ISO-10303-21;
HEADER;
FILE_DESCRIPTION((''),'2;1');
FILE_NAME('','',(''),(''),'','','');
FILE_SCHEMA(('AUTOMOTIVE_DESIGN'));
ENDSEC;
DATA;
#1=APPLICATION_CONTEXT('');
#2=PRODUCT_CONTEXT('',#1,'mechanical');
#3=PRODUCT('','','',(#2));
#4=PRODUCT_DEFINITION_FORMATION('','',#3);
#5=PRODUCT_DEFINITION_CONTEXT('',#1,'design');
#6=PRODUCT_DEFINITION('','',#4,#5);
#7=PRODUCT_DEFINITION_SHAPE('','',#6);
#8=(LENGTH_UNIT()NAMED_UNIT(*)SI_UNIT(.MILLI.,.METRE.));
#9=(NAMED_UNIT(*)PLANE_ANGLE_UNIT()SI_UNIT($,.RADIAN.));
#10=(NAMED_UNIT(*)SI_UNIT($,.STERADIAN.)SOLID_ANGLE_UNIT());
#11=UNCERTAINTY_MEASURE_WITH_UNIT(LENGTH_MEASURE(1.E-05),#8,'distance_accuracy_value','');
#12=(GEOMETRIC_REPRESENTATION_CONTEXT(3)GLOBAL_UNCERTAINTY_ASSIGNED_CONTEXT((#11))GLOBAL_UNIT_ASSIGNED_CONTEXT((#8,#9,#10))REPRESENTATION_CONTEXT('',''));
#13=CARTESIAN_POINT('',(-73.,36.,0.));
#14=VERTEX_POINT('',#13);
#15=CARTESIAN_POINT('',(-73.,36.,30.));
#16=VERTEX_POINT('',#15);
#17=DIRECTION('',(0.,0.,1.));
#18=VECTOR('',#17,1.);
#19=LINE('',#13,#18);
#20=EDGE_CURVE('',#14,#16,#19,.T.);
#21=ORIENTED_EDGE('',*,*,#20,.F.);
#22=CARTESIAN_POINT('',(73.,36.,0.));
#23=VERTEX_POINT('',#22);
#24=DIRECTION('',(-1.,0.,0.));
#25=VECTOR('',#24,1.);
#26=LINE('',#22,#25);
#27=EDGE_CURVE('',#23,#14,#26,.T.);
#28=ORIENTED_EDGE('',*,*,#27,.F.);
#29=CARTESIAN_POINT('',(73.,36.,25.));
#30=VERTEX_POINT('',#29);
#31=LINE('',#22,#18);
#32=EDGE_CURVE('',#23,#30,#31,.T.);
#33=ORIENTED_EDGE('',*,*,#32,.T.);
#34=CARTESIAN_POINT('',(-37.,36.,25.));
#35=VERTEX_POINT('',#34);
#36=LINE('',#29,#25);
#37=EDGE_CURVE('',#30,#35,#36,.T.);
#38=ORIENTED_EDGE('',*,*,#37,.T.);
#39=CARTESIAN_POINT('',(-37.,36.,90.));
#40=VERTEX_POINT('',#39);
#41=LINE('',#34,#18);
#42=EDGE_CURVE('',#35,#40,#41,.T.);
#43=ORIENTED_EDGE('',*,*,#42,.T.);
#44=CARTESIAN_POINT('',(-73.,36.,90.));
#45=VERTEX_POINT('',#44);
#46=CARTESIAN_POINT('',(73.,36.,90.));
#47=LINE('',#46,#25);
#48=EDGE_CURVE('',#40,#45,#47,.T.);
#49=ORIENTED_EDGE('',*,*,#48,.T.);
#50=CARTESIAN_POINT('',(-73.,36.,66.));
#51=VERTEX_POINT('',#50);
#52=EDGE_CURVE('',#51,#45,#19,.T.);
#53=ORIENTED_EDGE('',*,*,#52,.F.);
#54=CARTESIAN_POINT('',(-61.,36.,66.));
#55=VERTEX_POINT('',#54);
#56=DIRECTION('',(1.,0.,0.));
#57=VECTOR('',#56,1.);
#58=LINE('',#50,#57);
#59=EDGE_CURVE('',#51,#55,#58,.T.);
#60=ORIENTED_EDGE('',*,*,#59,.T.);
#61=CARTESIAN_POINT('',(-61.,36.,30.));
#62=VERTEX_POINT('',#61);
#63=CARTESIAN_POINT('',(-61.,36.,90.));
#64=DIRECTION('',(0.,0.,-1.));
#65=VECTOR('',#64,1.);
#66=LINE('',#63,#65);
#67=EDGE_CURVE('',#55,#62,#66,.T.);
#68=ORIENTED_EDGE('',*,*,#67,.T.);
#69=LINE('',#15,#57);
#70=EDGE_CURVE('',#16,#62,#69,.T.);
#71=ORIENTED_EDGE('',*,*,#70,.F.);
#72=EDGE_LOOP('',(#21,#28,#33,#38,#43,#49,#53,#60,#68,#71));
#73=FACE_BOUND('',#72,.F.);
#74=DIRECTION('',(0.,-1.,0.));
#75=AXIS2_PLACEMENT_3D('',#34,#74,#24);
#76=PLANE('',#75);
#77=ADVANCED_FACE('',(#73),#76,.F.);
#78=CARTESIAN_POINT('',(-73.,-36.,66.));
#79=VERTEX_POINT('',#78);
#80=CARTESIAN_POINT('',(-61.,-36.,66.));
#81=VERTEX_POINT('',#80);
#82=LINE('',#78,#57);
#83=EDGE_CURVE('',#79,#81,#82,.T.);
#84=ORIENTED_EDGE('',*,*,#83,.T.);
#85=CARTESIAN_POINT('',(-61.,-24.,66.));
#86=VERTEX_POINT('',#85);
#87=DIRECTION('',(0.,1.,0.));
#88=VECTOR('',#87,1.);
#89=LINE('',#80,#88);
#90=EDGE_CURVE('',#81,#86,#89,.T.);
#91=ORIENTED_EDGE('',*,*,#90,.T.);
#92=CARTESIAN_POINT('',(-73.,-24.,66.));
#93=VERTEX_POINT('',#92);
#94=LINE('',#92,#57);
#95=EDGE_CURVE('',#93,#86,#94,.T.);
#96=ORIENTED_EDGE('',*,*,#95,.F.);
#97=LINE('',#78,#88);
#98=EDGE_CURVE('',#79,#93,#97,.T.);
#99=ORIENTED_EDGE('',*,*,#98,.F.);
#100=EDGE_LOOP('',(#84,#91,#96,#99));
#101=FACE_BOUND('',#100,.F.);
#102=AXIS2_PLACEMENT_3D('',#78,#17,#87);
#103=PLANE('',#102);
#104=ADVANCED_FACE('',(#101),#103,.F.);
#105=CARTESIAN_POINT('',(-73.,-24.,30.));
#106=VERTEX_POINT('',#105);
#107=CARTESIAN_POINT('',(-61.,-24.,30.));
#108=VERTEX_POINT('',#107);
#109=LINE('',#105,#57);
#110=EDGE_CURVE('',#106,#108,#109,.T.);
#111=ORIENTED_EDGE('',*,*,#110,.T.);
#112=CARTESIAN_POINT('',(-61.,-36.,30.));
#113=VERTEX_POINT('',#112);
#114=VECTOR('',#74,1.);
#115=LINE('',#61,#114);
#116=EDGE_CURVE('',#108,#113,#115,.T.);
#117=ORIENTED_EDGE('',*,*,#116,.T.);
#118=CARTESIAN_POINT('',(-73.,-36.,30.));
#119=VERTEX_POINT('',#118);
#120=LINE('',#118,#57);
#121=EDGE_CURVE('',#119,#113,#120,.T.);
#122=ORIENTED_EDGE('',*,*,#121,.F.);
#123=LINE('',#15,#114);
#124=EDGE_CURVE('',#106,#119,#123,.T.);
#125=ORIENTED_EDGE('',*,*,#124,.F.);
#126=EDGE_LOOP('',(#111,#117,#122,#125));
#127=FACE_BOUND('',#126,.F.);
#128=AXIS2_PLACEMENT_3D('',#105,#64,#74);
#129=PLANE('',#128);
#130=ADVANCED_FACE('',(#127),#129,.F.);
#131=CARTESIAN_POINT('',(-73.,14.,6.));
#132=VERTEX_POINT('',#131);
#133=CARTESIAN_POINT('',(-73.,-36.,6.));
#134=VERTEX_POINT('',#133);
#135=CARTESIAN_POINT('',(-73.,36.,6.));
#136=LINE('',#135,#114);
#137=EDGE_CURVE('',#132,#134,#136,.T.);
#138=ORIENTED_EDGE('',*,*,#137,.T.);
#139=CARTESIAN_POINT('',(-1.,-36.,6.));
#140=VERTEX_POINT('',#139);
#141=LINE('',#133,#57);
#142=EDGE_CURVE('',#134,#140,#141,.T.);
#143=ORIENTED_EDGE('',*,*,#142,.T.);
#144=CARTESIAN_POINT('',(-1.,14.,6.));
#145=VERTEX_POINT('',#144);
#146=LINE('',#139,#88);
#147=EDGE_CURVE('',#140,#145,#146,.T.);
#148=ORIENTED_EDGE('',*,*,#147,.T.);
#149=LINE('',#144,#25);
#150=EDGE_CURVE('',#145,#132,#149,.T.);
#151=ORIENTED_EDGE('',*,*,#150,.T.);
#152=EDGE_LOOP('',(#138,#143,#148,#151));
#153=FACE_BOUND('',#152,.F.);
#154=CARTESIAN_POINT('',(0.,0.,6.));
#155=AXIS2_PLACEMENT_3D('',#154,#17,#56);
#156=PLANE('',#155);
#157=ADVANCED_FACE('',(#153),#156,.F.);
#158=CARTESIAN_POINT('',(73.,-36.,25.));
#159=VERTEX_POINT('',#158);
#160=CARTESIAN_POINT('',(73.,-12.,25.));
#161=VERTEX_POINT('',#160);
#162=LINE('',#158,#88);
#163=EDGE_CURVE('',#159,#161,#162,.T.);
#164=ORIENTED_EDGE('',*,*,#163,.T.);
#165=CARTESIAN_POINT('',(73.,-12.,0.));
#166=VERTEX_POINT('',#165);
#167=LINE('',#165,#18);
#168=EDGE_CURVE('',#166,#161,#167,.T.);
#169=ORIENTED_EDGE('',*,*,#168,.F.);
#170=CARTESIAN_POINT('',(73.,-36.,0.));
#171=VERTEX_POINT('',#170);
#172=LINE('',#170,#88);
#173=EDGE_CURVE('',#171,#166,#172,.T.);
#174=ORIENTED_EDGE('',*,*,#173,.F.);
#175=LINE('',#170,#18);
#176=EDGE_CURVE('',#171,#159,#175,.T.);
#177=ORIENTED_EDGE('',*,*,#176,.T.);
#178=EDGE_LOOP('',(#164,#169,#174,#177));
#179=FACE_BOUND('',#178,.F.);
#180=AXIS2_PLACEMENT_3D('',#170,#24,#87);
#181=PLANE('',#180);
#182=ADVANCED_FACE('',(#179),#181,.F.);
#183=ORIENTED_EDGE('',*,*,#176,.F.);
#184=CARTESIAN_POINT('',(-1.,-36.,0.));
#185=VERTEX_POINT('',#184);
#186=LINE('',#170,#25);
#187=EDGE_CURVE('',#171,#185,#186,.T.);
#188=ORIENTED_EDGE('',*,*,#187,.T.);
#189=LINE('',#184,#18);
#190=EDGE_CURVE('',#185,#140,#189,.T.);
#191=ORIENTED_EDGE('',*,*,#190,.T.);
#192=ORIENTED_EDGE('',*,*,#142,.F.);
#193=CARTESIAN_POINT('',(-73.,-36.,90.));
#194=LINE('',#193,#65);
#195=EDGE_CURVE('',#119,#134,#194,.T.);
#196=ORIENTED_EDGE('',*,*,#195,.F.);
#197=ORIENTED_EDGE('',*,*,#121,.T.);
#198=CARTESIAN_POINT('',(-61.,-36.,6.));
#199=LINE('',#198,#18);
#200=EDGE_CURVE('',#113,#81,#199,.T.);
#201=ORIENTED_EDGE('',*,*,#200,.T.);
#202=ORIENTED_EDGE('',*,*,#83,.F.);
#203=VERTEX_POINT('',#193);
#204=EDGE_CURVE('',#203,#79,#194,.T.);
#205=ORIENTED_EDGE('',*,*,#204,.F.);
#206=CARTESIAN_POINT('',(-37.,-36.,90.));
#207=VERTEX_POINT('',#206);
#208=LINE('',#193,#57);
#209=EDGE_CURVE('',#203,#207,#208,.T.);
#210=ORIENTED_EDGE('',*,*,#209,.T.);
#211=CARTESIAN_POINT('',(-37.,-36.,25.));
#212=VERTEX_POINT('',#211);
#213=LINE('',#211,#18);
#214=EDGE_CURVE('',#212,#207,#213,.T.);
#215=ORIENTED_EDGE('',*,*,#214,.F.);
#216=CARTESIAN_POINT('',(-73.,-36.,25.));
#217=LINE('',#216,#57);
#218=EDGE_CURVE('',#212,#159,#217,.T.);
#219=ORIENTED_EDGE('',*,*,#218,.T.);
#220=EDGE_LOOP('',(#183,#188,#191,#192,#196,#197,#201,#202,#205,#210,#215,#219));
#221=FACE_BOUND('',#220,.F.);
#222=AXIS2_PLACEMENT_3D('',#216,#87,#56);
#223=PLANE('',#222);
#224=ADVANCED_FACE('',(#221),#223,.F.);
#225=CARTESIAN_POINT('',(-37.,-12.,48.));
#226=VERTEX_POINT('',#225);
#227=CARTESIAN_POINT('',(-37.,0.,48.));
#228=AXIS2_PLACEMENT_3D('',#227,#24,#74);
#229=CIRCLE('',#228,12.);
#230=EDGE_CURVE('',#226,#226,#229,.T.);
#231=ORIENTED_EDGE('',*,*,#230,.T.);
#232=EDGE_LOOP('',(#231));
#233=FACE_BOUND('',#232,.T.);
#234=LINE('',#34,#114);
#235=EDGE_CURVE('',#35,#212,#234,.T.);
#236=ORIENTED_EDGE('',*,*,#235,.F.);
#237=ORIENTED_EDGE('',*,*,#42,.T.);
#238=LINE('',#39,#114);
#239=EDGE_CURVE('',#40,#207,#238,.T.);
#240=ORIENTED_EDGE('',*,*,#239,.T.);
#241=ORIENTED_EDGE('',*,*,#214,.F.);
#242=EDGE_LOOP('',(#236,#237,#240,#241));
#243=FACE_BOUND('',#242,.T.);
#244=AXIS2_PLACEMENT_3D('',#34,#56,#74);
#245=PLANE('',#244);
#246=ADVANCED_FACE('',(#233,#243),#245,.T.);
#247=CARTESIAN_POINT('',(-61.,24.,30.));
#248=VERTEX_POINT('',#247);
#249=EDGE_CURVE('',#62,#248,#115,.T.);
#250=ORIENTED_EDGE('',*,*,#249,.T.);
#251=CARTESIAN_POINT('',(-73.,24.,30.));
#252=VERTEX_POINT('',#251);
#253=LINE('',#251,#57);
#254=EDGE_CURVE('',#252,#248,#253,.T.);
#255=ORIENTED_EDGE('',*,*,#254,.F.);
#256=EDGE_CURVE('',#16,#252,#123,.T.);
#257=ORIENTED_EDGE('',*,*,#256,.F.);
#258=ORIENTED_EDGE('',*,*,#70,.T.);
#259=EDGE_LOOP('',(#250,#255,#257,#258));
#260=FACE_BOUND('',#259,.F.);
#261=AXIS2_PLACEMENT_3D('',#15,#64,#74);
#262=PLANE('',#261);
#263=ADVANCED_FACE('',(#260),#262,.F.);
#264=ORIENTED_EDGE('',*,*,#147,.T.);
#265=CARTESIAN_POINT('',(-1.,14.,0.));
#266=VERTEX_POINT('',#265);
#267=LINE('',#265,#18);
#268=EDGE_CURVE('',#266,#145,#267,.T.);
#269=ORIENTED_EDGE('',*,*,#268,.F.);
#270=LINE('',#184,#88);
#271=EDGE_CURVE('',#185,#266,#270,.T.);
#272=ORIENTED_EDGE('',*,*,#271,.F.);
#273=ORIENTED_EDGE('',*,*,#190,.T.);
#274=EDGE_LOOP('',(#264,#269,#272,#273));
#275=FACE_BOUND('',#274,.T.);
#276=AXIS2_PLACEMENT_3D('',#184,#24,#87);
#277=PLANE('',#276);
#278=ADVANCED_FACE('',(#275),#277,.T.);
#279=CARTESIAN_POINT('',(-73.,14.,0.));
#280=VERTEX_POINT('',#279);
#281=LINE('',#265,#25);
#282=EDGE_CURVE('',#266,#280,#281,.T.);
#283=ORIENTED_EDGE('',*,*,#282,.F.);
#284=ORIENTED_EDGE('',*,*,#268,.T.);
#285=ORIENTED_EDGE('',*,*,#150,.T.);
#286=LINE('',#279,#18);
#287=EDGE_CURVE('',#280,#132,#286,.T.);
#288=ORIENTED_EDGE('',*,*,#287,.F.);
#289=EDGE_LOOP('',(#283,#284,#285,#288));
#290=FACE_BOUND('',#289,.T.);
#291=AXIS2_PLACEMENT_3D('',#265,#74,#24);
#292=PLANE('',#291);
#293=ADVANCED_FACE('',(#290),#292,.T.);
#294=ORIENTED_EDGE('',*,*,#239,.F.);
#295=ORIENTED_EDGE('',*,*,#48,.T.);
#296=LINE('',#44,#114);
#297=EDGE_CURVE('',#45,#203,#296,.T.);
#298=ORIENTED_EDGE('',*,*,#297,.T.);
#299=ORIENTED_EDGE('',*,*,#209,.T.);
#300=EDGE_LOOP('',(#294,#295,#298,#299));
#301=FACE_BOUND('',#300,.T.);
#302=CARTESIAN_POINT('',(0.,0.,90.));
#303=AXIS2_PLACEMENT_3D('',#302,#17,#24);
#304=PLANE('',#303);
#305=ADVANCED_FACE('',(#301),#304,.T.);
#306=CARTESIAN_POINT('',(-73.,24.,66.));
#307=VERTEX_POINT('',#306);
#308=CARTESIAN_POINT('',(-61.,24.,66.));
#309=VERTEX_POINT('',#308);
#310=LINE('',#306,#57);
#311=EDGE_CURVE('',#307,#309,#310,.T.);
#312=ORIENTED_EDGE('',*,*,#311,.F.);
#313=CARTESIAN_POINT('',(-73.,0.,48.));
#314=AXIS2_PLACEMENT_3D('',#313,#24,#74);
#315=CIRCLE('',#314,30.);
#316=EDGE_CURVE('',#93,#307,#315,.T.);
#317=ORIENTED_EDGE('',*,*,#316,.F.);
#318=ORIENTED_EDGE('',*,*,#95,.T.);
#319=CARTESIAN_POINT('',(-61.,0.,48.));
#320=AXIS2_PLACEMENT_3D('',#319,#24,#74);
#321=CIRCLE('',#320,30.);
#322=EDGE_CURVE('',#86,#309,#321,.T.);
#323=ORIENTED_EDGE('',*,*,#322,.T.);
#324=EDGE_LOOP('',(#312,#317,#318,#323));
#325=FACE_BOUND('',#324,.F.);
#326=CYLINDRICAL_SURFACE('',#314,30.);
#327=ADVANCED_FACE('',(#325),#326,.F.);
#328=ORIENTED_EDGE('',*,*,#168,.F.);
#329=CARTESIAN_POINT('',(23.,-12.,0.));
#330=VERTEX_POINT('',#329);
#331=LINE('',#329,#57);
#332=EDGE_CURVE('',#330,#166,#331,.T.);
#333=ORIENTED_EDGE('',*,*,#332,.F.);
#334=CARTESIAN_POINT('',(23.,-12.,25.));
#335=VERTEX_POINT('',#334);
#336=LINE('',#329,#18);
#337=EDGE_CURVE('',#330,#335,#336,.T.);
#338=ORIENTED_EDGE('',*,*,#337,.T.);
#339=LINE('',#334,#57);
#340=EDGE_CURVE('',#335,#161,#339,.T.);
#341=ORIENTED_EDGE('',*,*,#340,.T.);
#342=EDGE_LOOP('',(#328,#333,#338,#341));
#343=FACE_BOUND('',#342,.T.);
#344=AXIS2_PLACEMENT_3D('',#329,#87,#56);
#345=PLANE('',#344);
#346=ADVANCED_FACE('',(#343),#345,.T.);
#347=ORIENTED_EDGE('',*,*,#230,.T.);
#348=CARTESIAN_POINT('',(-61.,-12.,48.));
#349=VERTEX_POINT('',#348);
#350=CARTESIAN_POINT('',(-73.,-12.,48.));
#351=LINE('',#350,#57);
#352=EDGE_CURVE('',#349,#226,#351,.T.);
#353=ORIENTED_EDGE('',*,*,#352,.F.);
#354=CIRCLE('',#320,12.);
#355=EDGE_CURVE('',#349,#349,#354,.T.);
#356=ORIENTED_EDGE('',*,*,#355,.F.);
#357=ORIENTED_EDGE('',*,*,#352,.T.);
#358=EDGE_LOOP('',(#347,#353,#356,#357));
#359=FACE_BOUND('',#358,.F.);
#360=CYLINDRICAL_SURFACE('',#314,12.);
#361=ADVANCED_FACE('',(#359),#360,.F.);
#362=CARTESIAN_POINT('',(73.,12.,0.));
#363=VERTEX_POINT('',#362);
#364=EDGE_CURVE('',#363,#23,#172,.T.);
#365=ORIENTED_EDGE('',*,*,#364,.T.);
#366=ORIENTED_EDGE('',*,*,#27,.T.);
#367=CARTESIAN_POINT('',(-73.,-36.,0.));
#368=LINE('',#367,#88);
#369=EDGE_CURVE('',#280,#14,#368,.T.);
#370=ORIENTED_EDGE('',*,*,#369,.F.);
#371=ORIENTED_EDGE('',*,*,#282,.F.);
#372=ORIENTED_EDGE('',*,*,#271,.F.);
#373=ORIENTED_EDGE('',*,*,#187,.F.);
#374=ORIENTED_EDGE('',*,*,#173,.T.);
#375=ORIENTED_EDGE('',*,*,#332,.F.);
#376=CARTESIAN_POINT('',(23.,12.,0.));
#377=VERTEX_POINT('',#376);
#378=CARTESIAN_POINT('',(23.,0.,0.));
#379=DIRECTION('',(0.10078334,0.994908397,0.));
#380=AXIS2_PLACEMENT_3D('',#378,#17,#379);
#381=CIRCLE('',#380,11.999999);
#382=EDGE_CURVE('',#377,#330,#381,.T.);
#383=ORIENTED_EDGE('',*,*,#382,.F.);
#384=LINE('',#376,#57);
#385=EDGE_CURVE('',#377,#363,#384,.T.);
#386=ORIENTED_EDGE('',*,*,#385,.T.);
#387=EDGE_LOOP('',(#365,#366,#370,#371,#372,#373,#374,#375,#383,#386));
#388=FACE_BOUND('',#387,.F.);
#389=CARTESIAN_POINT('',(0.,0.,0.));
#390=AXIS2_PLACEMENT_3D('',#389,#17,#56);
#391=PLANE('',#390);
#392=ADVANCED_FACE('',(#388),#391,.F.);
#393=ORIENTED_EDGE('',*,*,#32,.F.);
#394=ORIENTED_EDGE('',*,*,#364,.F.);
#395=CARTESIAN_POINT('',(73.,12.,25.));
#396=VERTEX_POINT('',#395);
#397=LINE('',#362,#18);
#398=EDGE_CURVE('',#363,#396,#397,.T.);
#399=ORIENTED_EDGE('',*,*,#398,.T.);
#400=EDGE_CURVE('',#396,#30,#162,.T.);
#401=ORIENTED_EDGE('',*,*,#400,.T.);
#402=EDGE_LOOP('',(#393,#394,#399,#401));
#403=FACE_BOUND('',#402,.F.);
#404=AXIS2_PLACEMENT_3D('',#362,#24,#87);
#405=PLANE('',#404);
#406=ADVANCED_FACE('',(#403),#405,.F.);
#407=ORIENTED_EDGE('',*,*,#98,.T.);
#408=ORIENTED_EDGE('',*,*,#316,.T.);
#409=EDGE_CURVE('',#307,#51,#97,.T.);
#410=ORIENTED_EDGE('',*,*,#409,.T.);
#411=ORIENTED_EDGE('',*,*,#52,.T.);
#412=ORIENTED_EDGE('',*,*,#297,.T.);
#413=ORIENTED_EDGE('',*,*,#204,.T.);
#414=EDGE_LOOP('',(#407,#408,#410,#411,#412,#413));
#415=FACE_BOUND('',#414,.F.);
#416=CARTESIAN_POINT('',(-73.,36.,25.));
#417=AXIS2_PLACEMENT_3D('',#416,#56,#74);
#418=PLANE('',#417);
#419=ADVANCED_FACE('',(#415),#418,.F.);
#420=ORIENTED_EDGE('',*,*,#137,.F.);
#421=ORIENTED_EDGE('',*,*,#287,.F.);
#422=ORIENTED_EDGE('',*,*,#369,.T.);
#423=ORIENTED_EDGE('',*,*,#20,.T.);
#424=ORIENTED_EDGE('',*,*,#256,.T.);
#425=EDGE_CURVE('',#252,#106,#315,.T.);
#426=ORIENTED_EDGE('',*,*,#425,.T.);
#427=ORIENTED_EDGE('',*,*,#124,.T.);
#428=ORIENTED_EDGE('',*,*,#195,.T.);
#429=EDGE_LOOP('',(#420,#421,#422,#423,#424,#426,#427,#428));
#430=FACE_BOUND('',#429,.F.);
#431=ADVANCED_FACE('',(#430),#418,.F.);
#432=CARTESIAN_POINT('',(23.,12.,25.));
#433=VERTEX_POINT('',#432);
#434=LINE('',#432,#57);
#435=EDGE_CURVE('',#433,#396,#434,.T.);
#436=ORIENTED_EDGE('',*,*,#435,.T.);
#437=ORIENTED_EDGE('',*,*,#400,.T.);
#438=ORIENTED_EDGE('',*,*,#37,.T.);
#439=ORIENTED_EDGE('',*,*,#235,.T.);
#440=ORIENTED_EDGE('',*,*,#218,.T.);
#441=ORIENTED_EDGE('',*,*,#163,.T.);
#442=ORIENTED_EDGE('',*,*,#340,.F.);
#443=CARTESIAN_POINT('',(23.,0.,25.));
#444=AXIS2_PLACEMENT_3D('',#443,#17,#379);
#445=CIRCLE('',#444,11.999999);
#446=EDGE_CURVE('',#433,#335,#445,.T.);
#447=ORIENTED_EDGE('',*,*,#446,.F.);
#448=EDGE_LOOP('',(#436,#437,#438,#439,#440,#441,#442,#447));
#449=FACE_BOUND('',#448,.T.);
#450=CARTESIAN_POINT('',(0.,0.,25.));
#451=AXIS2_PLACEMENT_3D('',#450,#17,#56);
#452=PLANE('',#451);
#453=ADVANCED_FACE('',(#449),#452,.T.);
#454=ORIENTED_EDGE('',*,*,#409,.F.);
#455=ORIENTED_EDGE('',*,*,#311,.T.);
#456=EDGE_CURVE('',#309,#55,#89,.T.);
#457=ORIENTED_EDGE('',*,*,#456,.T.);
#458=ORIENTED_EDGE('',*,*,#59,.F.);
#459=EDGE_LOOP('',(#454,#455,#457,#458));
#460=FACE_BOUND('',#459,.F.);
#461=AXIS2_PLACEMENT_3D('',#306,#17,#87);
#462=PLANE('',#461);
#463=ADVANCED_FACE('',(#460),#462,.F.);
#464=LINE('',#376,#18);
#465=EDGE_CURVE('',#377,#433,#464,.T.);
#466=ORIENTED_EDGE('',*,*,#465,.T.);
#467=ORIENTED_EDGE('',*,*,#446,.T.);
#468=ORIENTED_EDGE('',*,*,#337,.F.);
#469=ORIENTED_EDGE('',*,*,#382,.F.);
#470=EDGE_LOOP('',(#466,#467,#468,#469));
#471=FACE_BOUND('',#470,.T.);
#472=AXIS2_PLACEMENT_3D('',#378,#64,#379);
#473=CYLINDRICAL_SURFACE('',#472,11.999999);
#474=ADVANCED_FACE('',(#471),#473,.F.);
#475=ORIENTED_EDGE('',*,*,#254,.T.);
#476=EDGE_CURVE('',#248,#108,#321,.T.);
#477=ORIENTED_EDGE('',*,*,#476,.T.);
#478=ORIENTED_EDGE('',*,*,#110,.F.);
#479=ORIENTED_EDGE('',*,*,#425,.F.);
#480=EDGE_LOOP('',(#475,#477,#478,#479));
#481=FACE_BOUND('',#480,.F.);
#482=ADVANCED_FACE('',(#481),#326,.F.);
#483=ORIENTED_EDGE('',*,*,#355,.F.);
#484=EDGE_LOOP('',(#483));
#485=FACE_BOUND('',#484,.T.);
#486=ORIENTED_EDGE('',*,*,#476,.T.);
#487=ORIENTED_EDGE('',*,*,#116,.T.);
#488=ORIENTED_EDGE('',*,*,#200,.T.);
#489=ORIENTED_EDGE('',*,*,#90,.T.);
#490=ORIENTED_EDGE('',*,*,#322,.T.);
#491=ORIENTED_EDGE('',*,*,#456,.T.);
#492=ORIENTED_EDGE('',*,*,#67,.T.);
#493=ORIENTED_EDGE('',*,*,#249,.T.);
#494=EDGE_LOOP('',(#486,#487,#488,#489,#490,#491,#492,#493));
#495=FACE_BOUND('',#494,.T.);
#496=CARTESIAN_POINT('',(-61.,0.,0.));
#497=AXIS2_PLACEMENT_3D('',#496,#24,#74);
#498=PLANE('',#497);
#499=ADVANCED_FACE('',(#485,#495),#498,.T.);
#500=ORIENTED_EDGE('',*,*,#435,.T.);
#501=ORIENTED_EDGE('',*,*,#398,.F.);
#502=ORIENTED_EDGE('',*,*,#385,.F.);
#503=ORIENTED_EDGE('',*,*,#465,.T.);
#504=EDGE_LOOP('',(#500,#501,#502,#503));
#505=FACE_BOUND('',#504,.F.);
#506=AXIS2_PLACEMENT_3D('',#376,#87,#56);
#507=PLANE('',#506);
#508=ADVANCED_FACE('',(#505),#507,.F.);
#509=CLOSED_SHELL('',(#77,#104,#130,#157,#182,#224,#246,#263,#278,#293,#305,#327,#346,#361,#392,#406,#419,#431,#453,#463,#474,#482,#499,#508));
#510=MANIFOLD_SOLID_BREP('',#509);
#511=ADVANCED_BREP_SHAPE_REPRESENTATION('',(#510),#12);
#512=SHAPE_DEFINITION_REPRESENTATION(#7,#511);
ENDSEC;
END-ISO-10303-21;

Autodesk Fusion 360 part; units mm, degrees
sketch "Sketch1" plane through (0, 0, 0) normal (0, 0, 1) x (1, 0, 0)
  line L0 (73, 36) -> (-73, 36)
  line L1 (-73, 36) -> (-73, -36)
  line L2 (-73, -36) -> (73, -36)
  line L3 (73, -36) -> (73, 36)
  line L4 (73, 36) -> (-73, -36) construction
  line L5 (-73, 36) -> (73, -36) construction
  line L6 (-73, -36) -> (-1, -36)
  line L7 (-1, -36) -> (-1, 14)
  line L8 (-1, 14) -> (-73, 14)
  line L9 (-73, 14) -> (-73, -36)
  line L10 (23, 12) -> (73, 12)
  line L11 (23, -12) -> (73, -12)
  arc A0 (24.2094, 11.9389) -> (24.2094, -11.9389) centre (23, 0) ccw
  dimension "d1" = 146
  dimension "d2" = 72
  dimension "d3" = 72
  dimension "d4" = 50
  dimension "d5" = 24
  dimension "d6" = 50
extrude "Extrude1" add sketch "Sketch1" along normal blind 25 contours L0 L1 L2 L3 L7 L8 L10 L11 A0 | L1 L2 L6 L7 L8 L9
extrude "Extrude2" cut sketch "Sketch1" along normal blind 6 contours L1 L2 L6 L7 L8 L9
sketch "Sketch2" plane through (0, 0, 25) normal (0, 0, 1) x (-1, 0, 0)
  arc A0 (-23, -12) -> (-23, 12) centre (-23, 0) ccw
  line L0 (-23, -12) -> (-73, -12)
  line L1 (-73, -12) -> (-73, -36)
  line L2 (-73, -36) -> (73, -36)
  line L3 (73, -36) -> (73, 36)
  line L4 (73, 36) -> (-73, 36)
  line L5 (-73, 36) -> (-73, 12)
  line L6 (-73, 12) -> (-23, 12)
  line L7 (73, -36) -> (37, -36)
  line L8 (37, -36) -> (37, 36)
  line L9 (37, 36) -> (73, 36)
  line L10 (73, 36) -> (73, -36)
  dimension "d11" = 36
extrude "Extrude3" add sketch "Sketch2" along normal blind 65 contours L2 L3 L4 L7 L8 L9 L10
sketch "Sketch3" plane through (-73, 0, 0) normal (-1, 0, 0) x (0, -1, 0)
  line L0 (-14, 0) -> (-14, 6)
  line L1 (-14, 6) -> (36, 6)
  line L2 (36, 6) -> (36, 90)
  line L3 (36, 90) -> (-36, 90)
  line L4 (-36, 90) -> (-36, 0)
  line L5 (-36, 0) -> (-14, 0)
  circle A0 centre (0, 48) radius 12
  circle A1 centre (0, 48) radius 30
  line L6 (-36, 90) -> (36, 90)
  line L7 (36, 90) -> (36, 66)
  line L8 (36, 66) -> (-36, 66)
  line L9 (-36, 66) -> (-36, 90)
  line L10 (36, 6) -> (-36, 6)
  line L11 (-36, 6) -> (-36, 30)
  line L12 (-36, 30) -> (36, 30)
  line L13 (36, 30) -> (36, 6)
  dimension "d14" = 24
  dimension "d15" = 60
  dimension "d16" = 48
  dimension "d17" = 24
  dimension "d18" = 24
extrude "Extrude4" cut sketch "Sketch3" against normal through all contours A0
extrude "Extrude5" cut sketch "Sketch3" against normal blind 12 contours L2 A1 L8 L12 | L4 A1 L8 L12 | A1 L8 L12 | A1 L12 | A1 L8
